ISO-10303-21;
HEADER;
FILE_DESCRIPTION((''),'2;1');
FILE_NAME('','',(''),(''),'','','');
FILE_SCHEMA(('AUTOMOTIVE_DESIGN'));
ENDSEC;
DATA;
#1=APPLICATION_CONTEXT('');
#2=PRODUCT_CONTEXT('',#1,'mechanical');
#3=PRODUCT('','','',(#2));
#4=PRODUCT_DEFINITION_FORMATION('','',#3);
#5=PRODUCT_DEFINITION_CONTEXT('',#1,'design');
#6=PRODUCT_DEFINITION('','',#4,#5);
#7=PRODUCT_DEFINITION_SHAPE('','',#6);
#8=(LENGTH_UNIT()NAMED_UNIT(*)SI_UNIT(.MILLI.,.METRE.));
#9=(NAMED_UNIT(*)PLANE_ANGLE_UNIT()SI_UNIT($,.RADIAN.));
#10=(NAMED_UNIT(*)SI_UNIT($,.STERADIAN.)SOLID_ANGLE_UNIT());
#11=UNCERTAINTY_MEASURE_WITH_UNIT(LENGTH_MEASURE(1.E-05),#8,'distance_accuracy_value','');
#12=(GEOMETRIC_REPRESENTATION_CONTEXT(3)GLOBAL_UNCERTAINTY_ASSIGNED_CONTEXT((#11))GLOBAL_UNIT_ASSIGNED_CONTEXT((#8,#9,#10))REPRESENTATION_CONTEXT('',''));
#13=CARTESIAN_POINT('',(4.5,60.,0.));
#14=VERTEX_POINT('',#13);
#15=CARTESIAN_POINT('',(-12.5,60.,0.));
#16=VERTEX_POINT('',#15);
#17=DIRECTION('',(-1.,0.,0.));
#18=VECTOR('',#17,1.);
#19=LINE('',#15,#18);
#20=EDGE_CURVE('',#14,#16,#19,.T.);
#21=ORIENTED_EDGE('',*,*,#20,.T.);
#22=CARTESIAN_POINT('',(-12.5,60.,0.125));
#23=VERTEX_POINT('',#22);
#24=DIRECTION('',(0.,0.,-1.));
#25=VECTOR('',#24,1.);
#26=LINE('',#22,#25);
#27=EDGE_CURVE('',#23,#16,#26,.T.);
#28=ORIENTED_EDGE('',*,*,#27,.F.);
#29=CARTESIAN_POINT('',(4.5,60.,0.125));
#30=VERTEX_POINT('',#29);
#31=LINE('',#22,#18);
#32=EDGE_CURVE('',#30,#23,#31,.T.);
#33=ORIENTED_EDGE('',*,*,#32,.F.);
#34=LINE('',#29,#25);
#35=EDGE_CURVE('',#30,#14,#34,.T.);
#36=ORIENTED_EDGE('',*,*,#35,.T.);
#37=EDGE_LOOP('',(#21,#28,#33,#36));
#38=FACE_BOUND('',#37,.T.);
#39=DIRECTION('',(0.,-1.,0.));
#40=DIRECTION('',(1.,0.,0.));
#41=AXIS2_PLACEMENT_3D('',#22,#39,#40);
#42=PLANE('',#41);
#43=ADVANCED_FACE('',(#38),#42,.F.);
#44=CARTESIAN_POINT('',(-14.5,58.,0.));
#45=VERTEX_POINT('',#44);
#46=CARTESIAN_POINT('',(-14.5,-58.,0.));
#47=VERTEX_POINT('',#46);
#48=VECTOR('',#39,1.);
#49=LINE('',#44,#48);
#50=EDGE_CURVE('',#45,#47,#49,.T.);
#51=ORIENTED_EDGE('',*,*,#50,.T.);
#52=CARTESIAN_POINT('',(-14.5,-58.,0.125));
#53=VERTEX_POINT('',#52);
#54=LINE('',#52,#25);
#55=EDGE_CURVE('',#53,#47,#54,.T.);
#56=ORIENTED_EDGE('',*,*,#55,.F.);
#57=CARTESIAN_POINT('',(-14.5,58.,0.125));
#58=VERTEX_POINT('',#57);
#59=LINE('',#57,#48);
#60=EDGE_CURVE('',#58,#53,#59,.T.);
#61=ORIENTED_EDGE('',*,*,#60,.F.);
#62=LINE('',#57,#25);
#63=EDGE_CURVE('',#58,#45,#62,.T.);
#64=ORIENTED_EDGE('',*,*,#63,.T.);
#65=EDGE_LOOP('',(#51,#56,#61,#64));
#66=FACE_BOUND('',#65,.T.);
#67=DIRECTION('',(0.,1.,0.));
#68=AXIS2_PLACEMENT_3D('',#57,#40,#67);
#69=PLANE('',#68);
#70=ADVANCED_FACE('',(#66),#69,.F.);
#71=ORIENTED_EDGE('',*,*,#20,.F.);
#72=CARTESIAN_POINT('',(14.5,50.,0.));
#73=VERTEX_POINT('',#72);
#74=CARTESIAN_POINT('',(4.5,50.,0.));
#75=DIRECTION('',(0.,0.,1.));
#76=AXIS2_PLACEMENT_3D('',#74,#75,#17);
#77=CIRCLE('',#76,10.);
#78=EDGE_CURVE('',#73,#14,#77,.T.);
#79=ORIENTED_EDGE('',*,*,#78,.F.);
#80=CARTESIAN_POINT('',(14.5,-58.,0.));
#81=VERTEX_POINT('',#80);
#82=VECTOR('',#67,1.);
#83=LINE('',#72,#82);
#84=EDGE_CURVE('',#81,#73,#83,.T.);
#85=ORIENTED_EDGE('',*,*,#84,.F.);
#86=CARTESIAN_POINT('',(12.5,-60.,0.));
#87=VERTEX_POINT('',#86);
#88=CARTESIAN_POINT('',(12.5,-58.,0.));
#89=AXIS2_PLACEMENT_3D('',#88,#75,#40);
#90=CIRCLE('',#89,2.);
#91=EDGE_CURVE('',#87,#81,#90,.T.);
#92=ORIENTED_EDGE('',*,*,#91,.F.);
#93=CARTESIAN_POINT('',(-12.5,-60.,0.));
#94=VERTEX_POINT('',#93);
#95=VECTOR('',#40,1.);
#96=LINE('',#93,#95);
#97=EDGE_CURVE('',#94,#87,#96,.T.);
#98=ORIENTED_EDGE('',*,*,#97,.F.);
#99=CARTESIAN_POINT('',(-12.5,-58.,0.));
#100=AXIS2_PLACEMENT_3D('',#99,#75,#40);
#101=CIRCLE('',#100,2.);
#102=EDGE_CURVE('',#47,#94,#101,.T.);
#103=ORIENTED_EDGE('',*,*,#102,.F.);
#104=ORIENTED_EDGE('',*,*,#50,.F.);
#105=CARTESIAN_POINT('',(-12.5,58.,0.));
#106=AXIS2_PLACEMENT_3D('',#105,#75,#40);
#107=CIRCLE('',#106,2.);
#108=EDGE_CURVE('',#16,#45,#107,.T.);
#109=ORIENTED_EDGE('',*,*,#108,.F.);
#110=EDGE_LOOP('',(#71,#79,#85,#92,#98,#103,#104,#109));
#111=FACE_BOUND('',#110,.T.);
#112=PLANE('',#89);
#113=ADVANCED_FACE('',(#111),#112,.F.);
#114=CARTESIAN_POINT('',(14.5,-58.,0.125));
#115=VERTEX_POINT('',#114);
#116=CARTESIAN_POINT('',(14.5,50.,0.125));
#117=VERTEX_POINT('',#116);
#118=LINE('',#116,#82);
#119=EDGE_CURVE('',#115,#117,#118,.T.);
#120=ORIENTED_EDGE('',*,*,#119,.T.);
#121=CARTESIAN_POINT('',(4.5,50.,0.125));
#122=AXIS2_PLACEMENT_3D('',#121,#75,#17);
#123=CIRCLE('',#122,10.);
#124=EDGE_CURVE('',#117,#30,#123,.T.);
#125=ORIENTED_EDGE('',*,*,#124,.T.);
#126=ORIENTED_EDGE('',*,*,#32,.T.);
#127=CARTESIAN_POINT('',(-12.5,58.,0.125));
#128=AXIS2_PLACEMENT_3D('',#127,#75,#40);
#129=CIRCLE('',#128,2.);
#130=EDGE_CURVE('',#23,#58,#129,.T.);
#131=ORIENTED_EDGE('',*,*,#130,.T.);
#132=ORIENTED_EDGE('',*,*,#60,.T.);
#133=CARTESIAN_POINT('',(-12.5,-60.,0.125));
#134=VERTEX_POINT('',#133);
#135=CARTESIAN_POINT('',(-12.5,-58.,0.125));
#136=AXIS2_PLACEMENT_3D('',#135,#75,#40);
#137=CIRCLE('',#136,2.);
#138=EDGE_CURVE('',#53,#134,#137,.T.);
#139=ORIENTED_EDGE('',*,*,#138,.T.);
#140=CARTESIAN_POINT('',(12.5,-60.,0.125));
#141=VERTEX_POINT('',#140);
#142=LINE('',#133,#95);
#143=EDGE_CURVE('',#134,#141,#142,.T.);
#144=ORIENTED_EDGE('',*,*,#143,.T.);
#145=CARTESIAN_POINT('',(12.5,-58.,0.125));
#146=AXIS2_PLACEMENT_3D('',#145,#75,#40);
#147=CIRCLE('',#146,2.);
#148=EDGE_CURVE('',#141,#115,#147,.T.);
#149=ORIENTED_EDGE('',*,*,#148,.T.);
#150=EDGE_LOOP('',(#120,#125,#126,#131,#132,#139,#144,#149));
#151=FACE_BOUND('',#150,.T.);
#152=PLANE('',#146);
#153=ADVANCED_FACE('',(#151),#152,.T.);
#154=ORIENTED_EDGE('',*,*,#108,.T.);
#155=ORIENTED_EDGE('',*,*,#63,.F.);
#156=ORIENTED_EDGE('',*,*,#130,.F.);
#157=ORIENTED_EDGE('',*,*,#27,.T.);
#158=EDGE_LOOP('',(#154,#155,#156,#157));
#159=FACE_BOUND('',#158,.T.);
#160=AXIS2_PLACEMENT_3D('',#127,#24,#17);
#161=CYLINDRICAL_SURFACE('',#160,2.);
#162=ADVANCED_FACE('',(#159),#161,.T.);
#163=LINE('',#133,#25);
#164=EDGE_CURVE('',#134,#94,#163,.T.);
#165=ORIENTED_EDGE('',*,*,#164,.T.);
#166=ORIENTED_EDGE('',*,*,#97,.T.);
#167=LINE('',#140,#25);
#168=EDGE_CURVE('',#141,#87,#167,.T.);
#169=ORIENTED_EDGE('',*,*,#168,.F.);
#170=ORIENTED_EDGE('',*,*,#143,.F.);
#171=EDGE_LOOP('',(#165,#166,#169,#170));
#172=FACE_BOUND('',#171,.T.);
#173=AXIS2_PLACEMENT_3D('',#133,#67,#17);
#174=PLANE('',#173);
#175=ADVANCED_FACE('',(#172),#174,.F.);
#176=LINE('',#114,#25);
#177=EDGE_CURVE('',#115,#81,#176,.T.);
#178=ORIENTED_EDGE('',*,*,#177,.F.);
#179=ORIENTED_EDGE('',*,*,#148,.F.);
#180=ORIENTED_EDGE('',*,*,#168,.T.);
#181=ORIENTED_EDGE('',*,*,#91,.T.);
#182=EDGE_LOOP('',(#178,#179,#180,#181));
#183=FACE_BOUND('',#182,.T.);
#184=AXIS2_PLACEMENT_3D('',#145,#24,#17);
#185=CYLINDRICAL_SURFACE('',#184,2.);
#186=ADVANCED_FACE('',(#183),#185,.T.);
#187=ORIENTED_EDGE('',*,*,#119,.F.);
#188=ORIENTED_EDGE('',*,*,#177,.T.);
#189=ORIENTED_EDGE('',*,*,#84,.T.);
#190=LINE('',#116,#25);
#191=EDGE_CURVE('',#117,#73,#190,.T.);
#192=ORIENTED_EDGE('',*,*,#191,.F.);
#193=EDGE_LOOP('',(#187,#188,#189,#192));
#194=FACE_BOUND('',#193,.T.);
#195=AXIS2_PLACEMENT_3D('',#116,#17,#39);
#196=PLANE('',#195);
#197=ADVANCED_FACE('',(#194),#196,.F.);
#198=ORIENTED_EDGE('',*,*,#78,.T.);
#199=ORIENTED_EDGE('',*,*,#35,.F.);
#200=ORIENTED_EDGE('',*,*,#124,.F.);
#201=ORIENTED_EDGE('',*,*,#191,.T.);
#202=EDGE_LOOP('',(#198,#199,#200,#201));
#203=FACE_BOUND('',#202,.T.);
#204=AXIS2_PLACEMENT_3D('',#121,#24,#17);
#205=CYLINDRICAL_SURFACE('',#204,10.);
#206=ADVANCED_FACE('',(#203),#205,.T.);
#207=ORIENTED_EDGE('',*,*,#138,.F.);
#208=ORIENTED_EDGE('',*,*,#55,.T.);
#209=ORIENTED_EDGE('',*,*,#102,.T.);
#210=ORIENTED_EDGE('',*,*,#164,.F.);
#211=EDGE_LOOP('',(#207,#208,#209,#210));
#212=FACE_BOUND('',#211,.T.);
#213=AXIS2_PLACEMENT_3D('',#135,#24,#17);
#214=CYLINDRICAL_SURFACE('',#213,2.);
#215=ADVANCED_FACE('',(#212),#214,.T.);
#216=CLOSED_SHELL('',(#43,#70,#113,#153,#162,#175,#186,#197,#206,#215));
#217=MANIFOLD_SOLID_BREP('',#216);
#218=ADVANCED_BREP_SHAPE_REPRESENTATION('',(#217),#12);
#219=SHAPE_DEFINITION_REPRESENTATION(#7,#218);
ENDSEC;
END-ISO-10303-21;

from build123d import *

# Parameters (mm, degrees)
BOSS_EXTRUDE6_DEPTH = 0.125


with BuildPart() as part:
    # Sketch17 → Boss-Extrude6 (new body)
    with BuildSketch(Plane.XY):
        with BuildLine():
            Line((-12.5, 60), (4.5, 60))
            ThreePointArc((4.5, 60), (11.571067812, 57.071067812), (14.5, 50))
            Line((14.5, 50), (14.5, -58))
            ThreePointArc((14.5, -58), (13.914213562, -59.414213562), (12.5, -60))
            Line((12.5, -60), (-12.5, -60))
            ThreePointArc((-12.5, -60), (-13.914213562, -59.414213562), (-14.5, -58))
            Line((-14.5, -58), (-14.5, 58))
            ThreePointArc((-14.5, 58), (-13.914213562, 59.414213562), (-12.5, 60))
        make_face()
    extrude(amount=BOSS_EXTRUDE6_DEPTH)


solid = part.part
